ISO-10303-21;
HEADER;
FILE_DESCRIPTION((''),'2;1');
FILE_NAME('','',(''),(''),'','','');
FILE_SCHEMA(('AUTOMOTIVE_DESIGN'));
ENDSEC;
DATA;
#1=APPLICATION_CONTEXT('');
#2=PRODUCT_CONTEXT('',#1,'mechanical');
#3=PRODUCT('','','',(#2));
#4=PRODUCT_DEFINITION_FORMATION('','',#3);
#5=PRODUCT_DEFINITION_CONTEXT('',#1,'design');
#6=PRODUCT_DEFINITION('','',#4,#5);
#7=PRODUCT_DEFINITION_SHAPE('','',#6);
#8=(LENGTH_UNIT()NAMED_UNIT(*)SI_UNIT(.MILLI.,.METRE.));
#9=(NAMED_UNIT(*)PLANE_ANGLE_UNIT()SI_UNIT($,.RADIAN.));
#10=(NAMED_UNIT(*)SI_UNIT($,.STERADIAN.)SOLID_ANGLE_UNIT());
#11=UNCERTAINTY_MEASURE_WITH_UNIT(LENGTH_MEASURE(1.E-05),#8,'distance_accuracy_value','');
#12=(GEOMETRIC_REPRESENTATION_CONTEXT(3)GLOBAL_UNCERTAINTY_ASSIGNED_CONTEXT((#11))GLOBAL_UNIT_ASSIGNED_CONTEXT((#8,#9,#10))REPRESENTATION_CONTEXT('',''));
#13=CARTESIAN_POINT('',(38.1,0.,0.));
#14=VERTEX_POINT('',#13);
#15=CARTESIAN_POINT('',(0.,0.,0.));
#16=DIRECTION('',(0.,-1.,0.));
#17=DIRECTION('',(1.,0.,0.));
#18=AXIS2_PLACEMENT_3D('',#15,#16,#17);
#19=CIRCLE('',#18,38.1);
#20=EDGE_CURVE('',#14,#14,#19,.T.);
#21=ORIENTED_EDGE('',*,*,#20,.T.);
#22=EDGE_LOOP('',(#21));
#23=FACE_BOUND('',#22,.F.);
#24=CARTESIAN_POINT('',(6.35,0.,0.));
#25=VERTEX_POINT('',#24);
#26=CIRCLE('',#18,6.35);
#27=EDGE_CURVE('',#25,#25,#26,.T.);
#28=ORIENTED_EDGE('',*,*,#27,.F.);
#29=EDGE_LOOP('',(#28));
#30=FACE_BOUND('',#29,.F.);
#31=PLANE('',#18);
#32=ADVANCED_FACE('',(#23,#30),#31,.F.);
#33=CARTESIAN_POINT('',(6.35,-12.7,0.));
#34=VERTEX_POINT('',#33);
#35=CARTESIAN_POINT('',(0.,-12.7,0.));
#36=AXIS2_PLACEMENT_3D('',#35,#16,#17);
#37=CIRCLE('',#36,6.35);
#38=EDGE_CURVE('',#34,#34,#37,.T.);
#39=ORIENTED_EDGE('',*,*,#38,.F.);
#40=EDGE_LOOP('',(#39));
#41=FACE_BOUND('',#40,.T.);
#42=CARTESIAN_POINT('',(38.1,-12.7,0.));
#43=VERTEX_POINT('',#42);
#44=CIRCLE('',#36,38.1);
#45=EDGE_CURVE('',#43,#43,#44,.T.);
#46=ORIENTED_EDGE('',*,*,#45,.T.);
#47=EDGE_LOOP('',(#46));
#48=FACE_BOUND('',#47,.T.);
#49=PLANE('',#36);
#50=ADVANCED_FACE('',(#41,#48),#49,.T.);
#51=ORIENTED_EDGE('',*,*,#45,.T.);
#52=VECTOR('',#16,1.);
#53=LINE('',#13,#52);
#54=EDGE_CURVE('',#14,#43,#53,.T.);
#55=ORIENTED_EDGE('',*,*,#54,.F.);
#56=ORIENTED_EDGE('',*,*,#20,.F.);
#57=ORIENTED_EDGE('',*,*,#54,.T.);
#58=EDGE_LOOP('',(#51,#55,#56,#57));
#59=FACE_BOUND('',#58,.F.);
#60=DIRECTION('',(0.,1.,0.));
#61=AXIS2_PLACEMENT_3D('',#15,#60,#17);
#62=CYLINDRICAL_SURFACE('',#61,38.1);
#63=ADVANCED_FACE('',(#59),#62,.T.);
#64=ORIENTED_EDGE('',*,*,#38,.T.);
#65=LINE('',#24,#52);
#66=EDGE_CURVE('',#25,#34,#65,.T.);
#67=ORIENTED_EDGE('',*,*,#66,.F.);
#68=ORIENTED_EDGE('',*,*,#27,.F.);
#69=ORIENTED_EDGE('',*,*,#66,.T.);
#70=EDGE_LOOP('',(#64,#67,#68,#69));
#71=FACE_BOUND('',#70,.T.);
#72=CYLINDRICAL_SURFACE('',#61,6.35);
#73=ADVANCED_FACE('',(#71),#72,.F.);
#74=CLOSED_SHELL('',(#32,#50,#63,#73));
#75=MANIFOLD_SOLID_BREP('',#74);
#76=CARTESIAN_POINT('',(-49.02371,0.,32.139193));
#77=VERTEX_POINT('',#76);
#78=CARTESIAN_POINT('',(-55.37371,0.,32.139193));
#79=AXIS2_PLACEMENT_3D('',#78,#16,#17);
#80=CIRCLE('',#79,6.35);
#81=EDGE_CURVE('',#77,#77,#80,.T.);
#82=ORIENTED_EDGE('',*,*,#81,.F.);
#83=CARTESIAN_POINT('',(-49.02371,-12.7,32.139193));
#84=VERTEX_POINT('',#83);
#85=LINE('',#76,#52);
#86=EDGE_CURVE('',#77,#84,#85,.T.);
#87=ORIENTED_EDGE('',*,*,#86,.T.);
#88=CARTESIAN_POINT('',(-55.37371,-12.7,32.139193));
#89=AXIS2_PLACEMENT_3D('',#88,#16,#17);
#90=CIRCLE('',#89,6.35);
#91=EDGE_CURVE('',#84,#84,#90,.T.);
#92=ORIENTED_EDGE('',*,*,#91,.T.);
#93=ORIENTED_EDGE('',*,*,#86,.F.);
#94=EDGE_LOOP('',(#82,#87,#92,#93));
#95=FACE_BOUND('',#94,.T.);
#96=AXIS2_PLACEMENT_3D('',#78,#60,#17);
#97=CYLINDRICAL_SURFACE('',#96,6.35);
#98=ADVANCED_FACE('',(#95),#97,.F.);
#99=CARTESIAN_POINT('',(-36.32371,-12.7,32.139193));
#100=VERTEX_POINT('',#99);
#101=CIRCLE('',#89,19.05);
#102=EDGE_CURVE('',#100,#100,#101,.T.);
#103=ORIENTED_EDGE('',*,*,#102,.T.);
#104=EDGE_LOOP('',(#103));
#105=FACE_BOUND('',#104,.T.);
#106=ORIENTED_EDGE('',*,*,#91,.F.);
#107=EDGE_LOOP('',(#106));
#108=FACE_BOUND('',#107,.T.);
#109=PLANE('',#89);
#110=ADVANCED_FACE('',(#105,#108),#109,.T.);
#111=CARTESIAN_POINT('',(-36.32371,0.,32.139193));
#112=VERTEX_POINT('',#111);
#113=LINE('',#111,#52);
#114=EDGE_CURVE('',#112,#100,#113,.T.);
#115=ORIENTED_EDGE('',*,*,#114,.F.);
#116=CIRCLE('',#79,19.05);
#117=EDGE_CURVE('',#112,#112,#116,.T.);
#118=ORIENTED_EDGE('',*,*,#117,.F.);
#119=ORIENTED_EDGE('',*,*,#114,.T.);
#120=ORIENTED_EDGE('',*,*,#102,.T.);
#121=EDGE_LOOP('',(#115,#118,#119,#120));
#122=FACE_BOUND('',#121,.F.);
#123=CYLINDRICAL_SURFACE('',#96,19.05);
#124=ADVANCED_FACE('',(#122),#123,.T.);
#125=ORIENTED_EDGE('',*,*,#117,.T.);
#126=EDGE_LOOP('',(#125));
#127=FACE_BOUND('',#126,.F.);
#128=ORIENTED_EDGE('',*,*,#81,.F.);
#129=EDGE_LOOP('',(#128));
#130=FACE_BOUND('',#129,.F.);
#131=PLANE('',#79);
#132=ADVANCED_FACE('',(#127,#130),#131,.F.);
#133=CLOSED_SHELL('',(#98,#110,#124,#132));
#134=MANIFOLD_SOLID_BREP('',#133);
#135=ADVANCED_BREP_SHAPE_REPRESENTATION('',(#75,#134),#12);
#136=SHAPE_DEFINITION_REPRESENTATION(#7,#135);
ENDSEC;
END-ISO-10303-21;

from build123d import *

# Parameters (mm, degrees)
F0_R     = 19.05
F0_R_2   = 6.35
F0_R_3   = 38.1
F1_DEPTH = 12.7


with BuildPart() as f1:
    # F0 (on Front) → F1 (new body)
    with BuildSketch(Plane.XZ):
        with Locations((-55.37371, 32.139193)):
            Circle(F0_R)
        with Locations((-55.37371, 32.139193)):
            Circle(F0_R_2, mode=Mode.SUBTRACT)
        Circle(F0_R_3)
        Circle(F0_R_2, mode=Mode.SUBTRACT)
    extrude(amount=F1_DEPTH)


solid = f1.part
